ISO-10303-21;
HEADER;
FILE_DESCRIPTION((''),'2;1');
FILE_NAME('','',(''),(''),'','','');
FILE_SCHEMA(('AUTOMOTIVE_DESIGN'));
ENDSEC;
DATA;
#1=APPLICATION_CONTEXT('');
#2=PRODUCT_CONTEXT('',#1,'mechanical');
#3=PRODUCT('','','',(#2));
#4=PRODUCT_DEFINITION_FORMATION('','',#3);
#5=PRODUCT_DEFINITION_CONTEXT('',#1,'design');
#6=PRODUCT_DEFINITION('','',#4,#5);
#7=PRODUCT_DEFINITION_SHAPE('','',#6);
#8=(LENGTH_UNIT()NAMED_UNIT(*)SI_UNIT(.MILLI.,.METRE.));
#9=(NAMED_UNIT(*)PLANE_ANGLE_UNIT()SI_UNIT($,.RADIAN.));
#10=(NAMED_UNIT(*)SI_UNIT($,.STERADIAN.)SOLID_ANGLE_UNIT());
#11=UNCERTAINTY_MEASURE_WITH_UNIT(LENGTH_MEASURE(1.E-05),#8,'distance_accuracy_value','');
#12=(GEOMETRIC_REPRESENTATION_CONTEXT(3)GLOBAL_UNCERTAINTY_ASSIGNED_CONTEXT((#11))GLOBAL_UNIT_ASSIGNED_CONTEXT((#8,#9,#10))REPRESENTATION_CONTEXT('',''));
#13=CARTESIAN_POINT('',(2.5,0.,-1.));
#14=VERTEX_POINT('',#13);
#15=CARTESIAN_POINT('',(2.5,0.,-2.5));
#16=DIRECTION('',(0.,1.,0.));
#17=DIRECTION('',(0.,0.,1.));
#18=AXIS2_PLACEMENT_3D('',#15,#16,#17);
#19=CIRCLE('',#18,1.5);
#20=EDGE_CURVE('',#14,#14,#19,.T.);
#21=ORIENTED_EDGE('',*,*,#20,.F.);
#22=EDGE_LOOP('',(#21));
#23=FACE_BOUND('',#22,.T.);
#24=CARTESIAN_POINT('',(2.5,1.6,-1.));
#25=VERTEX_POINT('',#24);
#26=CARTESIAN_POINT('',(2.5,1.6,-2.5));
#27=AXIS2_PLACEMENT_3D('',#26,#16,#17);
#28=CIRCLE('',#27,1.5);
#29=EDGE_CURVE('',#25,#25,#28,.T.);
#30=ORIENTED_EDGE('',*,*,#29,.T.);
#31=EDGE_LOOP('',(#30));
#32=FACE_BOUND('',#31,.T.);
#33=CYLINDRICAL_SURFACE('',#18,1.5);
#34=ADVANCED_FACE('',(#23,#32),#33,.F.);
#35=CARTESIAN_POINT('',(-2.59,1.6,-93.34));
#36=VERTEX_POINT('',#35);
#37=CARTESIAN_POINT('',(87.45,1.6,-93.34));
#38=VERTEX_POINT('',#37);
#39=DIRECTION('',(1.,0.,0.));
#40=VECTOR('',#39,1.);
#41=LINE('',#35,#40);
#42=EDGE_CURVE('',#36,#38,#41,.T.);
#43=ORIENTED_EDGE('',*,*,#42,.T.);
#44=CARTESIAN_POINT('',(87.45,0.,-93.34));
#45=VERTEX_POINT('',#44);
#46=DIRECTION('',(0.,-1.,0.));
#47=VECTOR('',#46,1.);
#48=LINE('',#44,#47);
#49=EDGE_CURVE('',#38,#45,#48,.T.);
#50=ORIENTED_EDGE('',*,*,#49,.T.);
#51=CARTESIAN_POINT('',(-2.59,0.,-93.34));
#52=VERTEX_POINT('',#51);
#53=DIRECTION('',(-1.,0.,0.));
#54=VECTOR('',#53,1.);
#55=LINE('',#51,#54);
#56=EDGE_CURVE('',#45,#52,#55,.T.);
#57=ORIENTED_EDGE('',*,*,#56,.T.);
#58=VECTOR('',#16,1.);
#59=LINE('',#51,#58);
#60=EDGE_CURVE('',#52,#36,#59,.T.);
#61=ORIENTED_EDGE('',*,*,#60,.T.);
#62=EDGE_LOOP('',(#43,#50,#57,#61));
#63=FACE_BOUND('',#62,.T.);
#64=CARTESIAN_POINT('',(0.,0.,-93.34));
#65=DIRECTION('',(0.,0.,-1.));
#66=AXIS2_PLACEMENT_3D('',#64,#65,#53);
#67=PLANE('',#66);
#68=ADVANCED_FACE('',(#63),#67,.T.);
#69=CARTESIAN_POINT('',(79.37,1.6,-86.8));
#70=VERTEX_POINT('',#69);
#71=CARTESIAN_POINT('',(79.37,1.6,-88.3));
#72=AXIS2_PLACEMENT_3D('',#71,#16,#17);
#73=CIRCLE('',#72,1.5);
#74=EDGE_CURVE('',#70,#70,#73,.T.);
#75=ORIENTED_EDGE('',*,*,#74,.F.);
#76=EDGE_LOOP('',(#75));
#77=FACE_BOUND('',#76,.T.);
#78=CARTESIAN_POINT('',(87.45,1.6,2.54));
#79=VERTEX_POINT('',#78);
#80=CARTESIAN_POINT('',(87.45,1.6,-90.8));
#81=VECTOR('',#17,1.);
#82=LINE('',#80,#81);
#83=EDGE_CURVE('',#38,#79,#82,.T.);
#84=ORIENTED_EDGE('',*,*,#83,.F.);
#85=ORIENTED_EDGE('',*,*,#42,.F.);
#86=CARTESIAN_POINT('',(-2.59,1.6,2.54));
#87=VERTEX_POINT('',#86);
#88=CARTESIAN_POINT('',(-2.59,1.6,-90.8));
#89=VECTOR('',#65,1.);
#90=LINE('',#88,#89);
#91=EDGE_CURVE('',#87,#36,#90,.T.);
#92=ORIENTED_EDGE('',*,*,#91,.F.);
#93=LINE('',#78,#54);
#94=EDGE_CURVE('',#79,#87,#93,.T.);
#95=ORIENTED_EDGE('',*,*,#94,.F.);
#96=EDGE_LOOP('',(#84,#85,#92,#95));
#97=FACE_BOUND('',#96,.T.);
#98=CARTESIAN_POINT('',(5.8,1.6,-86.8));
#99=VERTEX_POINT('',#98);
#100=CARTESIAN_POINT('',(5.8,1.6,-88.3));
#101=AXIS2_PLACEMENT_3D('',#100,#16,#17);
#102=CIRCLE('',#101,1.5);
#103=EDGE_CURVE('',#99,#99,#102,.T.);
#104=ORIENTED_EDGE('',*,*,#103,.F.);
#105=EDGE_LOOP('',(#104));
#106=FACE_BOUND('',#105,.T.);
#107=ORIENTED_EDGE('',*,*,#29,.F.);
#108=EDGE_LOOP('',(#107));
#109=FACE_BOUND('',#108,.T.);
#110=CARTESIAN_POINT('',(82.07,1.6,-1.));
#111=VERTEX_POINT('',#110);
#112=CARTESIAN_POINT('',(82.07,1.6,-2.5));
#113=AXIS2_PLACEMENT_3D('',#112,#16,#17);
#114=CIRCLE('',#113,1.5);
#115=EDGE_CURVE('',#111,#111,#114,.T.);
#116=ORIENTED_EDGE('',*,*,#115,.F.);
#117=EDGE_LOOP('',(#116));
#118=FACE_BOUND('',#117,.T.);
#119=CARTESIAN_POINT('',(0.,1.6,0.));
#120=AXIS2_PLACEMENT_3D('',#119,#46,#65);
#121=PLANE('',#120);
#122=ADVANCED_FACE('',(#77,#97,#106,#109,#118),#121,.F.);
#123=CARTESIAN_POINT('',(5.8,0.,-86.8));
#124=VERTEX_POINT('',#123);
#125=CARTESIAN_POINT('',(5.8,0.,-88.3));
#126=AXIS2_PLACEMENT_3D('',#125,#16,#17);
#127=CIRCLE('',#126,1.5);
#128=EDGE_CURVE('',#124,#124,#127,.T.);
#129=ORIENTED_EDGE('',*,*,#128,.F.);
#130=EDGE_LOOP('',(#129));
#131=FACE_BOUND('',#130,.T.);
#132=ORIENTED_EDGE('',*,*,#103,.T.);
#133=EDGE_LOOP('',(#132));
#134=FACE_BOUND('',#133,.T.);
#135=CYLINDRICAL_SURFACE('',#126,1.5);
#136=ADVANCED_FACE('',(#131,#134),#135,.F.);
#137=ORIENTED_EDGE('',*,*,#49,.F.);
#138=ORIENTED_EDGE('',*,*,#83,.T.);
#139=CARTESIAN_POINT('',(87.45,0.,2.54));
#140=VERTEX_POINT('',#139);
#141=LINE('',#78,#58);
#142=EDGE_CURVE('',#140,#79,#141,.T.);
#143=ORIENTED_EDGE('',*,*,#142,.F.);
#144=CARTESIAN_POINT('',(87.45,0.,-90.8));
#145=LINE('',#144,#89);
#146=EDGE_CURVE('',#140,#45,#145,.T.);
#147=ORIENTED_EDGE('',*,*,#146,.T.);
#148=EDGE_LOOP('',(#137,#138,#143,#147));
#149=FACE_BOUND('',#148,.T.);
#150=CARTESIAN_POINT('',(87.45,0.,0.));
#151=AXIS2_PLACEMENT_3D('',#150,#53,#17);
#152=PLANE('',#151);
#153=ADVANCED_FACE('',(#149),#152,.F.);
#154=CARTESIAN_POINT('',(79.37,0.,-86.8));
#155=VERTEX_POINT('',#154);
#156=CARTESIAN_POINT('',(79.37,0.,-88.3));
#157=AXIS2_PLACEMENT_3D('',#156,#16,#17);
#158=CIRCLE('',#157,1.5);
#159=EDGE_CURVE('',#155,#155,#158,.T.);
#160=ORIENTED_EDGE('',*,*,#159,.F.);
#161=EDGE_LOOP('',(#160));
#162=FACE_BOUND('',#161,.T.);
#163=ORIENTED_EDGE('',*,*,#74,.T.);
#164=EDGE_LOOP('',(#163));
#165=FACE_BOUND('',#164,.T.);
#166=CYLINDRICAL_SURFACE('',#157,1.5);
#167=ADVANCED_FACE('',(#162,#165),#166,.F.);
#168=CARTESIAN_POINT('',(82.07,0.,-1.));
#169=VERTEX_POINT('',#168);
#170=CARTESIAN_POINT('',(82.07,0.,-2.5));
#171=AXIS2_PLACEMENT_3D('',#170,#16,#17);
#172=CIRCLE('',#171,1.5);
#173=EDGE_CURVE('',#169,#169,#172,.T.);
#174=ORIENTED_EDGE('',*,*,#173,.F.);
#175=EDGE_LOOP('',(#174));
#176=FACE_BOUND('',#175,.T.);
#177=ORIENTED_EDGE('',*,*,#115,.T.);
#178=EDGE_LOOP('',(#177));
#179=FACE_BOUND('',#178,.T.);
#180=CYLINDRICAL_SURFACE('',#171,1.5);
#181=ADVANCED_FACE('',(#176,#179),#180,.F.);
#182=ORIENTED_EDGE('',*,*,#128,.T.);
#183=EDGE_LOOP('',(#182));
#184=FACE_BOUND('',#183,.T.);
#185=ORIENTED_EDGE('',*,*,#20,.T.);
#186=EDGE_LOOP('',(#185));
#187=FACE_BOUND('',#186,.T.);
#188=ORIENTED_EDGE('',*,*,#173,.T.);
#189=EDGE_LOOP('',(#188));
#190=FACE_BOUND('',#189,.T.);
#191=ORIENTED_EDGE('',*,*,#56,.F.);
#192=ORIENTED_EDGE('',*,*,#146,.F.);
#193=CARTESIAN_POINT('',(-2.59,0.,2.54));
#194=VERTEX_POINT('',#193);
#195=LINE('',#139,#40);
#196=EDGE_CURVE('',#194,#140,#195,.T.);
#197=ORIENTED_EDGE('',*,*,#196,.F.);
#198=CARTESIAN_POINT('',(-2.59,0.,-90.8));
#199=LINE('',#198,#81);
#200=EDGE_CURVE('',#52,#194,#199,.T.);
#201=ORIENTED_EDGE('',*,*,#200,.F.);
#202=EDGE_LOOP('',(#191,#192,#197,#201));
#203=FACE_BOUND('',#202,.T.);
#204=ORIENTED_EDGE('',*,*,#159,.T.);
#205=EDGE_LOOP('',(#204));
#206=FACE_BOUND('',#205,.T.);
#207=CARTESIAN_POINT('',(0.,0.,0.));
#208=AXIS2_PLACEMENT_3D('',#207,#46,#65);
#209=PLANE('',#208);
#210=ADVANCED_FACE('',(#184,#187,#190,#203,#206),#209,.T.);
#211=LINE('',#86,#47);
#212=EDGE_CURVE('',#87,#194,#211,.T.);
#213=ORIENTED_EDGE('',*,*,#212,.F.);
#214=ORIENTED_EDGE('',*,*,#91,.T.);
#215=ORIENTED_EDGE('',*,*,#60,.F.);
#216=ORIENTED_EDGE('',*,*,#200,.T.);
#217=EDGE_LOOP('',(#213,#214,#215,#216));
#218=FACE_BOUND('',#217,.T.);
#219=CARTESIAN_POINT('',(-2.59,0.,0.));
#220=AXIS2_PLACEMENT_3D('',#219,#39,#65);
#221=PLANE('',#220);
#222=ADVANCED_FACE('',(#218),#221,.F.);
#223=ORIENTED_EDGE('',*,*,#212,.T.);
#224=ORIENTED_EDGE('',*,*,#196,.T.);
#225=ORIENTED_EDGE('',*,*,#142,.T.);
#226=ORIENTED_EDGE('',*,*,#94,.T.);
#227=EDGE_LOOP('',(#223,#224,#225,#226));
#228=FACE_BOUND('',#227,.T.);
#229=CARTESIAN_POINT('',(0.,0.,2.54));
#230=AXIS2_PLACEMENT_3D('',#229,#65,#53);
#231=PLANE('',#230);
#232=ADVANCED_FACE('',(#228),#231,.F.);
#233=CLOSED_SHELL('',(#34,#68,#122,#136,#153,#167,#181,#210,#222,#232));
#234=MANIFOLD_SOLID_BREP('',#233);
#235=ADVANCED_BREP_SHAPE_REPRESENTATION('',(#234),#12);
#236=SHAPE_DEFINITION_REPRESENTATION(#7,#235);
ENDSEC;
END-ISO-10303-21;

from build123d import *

# Parameters (mm, degrees)
SKETCH2_W           = 84.57
SKETCH2_H           = 90.8
BOSS_EXTRUDE1_DEPTH = 1.6
SKETCH3_R           = 1.5
CUT_EXTRUDE1_DEPTH  = 2.6
SKETCH4_W           = 90.8
SKETCH4_H           = 1.6
BOSS_EXTRUDE2_DEPTH = 2.88
SKETCH5_W           = 90.8
SKETCH5_H           = 1.6
BOSS_EXTRUDE3_DEPTH = 2.59
SKETCH6_W           = 90.04
SKETCH6_H           = 1.6
BOSS_EXTRUDE4_DEPTH = 2.54
SKETCH7_W           = 90.04
SKETCH7_H           = 1.6
BOSS_EXTRUDE5_DEPTH = 2.54


with BuildPart() as part:
    # Sketch2 → Boss-Extrude1 (new body)
    with BuildSketch(Plane(origin=(0, 0, 0), x_dir=(1, 0, 0), z_dir=(0, 1, 0))):
        with Locations((42.285, 45.4)):
            Rectangle(SKETCH2_W, SKETCH2_H)
    extrude(amount=BOSS_EXTRUDE1_DEPTH)

    # Sketch3 → Cut-Extrude1 (cut, through all)
    with BuildSketch(Plane(origin=(0, 1.6, 0), x_dir=(1, 0, 0), z_dir=(0, 1, 0))):
        with Locations((2.5, 2.5)):
            Circle(SKETCH3_R)
        with Locations((82.07, 2.5)):
            Circle(SKETCH3_R)
        with Locations((5.8, 88.3)):
            Circle(SKETCH3_R)
        with Locations((79.37, 88.3)):
            Circle(SKETCH3_R)
    extrude(amount=-CUT_EXTRUDE1_DEPTH, mode=Mode.SUBTRACT)

    # Sketch4 → Boss-Extrude2 (add)
    with BuildSketch(Plane(origin=(84.57, 0, 0), x_dir=(0, 0, -1), z_dir=(1, 0, 0))):
        with Locations((45.4, 0.8)):
            Rectangle(SKETCH4_W, SKETCH4_H)
    extrude(amount=BOSS_EXTRUDE2_DEPTH)

    # Sketch5 → Boss-Extrude3 (add)
    with BuildSketch(Plane.ZY):
        with Locations((-45.4, 0.8)):
            Rectangle(SKETCH5_W, SKETCH5_H)
    extrude(amount=BOSS_EXTRUDE3_DEPTH)

    # Sketch6 → Boss-Extrude4 (add)
    with BuildSketch(Plane(origin=(0, 0, -90.8), x_dir=(-1, 0, 0), z_dir=(0, 0, -1))):
        with Locations((-42.43, 0.8)):
            Rectangle(SKETCH6_W, SKETCH6_H)
    extrude(amount=BOSS_EXTRUDE4_DEPTH)

    # Sketch7 → Boss-Extrude5 (add)
    with BuildSketch(Plane.XY):
        with Locations((42.43, 0.8)):
            Rectangle(SKETCH7_W, SKETCH7_H)
    extrude(amount=BOSS_EXTRUDE5_DEPTH)


solid = part.part
